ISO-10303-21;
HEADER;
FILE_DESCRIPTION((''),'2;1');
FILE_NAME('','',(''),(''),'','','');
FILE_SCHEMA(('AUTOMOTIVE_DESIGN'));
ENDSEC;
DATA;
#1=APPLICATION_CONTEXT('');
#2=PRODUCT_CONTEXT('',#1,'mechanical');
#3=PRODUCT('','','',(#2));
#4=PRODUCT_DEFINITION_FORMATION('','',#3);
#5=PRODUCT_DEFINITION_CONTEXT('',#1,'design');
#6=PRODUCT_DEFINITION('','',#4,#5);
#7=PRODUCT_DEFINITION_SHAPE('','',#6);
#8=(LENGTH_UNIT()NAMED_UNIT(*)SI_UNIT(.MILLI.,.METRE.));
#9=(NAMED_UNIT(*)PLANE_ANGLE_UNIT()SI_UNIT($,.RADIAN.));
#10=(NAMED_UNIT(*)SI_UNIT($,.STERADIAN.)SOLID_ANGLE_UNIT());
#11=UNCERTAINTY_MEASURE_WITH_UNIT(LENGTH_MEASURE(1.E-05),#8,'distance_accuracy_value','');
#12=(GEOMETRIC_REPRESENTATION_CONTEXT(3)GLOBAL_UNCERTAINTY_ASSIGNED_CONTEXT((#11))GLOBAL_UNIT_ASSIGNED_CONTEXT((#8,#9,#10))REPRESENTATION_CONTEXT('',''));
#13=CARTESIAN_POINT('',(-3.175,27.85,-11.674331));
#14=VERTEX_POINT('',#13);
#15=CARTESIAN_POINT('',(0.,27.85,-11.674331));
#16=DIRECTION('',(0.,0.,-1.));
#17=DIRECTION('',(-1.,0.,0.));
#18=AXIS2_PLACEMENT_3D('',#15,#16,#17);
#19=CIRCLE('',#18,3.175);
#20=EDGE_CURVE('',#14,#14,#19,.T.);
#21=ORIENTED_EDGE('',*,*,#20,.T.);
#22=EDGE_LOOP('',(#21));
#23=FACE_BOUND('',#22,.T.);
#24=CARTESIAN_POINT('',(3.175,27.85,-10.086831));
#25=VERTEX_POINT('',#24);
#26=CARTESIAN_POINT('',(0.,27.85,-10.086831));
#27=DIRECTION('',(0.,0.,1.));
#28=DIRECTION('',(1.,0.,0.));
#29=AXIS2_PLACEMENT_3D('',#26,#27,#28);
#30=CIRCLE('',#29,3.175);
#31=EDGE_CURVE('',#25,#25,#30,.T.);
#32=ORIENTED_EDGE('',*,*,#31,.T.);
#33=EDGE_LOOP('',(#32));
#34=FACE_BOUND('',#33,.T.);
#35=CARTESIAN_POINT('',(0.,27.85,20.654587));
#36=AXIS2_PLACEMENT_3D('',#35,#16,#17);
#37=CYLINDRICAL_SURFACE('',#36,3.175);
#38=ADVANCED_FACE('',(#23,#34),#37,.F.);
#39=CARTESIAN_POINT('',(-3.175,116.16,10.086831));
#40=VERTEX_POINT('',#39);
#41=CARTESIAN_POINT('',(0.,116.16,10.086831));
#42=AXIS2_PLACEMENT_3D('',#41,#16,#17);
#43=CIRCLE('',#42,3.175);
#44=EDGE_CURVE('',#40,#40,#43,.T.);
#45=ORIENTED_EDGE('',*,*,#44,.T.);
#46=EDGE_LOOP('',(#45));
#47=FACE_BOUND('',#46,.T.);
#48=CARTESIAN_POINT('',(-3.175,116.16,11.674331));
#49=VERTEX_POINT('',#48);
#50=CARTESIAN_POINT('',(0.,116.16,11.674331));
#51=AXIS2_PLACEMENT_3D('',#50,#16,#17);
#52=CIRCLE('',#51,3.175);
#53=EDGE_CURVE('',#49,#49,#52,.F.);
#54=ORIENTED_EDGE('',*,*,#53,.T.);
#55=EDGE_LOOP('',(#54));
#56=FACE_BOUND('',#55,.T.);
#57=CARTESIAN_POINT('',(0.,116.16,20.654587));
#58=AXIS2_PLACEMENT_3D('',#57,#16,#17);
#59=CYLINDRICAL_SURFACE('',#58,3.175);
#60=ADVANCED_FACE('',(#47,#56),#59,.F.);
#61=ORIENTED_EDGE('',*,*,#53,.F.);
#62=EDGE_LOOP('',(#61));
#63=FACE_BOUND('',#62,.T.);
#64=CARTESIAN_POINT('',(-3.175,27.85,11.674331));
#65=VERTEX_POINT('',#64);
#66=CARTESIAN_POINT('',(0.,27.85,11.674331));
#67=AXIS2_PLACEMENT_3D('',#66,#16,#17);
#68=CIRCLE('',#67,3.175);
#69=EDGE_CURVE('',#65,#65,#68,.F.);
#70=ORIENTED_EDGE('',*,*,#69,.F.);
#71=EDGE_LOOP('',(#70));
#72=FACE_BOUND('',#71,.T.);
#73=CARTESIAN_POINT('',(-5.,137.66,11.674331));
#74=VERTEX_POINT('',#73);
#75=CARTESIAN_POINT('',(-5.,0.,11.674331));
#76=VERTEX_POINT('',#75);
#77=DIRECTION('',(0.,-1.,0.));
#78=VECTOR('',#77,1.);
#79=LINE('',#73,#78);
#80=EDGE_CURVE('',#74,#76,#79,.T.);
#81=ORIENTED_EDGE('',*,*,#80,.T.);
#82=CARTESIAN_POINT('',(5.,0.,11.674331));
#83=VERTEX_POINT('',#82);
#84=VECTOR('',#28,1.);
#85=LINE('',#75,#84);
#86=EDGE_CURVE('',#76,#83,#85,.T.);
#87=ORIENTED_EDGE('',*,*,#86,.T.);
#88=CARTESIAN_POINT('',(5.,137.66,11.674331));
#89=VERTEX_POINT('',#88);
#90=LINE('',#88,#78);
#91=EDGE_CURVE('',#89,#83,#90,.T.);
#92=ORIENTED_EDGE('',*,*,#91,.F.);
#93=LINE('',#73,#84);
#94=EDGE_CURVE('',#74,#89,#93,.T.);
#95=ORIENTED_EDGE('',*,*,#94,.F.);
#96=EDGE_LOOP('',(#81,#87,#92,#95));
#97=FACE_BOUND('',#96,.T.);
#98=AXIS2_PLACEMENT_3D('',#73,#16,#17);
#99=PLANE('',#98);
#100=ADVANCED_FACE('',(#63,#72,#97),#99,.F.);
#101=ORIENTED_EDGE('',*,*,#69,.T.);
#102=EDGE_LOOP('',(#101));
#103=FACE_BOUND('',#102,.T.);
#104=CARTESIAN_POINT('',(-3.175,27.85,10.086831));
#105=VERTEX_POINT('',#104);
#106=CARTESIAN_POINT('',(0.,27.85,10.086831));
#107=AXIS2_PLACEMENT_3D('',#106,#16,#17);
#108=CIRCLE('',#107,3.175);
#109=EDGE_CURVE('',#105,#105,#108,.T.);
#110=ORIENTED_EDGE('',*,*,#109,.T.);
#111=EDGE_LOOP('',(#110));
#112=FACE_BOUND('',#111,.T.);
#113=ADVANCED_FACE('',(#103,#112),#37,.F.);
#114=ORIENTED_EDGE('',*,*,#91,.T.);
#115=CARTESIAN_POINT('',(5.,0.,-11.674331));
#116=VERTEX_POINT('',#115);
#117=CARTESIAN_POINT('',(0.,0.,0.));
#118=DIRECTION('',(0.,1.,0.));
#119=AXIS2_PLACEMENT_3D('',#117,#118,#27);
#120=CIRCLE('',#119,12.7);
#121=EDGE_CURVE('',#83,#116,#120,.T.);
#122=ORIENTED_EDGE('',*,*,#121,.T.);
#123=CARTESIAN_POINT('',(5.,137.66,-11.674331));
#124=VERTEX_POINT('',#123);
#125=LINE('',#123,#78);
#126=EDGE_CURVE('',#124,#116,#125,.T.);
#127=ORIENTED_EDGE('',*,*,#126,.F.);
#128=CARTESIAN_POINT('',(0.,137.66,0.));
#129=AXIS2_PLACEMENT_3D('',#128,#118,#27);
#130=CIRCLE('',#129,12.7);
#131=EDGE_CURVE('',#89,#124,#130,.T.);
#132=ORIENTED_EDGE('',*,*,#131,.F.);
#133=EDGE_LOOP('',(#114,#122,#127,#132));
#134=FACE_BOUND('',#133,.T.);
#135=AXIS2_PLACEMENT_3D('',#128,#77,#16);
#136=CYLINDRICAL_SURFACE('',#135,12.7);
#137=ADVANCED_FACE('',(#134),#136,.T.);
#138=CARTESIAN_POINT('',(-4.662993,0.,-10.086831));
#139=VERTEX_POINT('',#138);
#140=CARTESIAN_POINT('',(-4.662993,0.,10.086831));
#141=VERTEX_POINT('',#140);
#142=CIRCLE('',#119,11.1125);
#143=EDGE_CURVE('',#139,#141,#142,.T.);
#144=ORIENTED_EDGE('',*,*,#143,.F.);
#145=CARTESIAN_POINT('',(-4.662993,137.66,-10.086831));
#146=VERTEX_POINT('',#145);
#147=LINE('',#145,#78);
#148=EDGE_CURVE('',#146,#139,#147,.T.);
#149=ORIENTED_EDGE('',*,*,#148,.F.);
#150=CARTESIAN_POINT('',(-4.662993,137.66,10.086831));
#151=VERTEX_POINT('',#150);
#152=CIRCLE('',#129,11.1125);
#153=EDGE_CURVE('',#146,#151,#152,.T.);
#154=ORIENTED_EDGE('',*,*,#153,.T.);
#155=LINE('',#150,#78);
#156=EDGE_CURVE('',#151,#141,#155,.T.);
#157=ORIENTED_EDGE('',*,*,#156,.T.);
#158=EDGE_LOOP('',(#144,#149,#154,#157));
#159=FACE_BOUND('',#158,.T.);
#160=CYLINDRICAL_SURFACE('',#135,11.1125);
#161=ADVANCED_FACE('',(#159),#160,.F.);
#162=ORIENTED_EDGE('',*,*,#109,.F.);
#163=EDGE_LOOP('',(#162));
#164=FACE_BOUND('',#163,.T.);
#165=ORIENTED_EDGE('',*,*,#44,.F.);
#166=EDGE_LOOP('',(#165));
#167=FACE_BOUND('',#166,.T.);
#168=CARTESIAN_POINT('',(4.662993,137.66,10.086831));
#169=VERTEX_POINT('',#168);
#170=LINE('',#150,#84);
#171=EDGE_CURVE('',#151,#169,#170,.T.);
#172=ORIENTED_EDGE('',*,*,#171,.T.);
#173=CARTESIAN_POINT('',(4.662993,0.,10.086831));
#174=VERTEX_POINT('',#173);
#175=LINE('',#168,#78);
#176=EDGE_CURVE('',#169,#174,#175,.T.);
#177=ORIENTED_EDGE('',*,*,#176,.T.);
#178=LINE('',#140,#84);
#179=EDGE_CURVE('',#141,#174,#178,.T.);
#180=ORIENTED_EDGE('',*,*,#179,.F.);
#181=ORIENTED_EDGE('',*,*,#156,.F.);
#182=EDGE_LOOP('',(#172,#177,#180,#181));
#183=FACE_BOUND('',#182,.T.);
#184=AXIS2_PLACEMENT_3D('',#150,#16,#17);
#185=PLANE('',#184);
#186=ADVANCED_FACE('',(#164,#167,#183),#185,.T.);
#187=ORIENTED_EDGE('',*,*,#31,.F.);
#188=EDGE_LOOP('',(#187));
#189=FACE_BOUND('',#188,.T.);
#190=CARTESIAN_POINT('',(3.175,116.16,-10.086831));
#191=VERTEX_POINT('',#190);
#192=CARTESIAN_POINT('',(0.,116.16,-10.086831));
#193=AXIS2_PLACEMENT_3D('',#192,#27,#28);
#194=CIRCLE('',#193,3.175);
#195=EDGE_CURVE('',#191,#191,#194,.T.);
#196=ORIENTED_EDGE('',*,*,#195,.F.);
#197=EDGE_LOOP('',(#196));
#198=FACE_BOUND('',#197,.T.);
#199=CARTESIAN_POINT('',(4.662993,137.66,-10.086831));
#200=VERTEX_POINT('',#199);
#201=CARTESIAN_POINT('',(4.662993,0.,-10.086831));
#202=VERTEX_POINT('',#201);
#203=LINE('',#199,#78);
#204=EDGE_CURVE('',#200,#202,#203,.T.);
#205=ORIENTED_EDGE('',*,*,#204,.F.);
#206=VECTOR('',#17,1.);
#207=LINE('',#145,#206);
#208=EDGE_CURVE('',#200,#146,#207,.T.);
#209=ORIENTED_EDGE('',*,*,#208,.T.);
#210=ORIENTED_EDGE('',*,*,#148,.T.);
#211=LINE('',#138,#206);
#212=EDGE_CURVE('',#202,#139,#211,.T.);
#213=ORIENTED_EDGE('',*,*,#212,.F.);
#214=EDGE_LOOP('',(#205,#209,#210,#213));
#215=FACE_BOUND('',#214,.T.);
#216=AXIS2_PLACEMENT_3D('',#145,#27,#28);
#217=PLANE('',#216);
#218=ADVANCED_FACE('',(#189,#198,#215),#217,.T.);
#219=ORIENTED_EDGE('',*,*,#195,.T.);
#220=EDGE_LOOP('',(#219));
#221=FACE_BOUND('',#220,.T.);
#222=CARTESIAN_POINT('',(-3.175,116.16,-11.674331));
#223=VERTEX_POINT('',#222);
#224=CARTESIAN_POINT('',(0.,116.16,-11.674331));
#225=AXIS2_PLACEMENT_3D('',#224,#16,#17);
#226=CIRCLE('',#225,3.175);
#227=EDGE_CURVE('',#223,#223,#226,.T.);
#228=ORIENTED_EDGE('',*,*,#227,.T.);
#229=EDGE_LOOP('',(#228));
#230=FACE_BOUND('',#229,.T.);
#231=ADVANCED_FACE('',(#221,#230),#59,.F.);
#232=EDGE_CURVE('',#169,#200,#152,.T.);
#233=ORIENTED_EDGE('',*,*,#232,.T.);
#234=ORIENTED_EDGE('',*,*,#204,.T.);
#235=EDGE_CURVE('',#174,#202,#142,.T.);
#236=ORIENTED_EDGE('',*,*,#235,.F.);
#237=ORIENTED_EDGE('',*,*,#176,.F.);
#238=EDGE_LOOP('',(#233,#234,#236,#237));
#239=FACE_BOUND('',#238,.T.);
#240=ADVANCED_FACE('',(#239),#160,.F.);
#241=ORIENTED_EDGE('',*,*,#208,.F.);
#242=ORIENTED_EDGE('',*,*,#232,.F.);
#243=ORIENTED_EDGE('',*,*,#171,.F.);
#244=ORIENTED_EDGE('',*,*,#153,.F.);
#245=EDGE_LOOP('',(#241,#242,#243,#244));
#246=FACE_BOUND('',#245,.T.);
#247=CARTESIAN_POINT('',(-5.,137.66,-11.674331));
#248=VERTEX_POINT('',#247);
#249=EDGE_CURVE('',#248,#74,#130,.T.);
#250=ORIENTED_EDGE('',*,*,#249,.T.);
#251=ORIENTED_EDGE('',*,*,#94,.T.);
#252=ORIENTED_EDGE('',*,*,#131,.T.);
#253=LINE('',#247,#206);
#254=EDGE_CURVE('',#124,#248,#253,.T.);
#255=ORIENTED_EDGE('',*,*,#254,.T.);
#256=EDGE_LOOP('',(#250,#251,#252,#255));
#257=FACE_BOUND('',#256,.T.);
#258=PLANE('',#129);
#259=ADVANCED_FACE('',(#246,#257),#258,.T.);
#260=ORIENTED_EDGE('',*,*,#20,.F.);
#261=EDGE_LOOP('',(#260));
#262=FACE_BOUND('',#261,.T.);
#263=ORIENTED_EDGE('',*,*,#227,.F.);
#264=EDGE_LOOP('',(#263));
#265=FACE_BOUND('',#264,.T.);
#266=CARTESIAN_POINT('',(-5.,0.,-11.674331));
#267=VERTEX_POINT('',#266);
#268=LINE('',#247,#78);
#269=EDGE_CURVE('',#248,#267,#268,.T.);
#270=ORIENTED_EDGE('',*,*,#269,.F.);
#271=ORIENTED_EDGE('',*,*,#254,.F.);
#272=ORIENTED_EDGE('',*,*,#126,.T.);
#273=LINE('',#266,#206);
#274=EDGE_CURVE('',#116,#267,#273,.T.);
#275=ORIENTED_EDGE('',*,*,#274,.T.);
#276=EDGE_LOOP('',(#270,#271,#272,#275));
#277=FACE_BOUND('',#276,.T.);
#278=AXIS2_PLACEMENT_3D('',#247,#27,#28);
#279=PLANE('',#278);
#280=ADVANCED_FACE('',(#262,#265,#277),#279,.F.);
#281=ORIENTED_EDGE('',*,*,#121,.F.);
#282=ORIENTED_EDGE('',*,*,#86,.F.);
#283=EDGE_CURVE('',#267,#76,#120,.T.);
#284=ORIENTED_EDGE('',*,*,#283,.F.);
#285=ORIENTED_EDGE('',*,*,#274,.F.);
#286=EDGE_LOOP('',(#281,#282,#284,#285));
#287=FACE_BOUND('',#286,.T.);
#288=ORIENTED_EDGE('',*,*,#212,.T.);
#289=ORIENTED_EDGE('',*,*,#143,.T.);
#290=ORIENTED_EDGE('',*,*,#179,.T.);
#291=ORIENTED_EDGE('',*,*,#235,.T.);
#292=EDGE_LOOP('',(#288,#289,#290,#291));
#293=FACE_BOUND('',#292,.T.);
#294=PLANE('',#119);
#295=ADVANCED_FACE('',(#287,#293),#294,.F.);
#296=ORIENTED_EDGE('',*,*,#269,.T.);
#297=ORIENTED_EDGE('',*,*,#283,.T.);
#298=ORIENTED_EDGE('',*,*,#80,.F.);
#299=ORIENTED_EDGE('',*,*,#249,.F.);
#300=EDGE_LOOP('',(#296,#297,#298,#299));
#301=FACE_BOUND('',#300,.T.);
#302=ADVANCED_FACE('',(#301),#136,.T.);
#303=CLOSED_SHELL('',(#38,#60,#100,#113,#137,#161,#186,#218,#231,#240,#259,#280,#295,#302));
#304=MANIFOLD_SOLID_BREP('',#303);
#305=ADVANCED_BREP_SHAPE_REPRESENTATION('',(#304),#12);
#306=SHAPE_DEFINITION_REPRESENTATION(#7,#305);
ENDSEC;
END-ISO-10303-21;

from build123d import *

# Parameters (mm, degrees)
BOSS_EXTRUDE1_DEPTH = 137.66
CUT_EXTRUDE1_REACH  = 142.202
SKETCH2_R           = 3.175


with BuildPart() as part:
    # Sketch1 → Boss-Extrude1 (new body)
    with BuildSketch(Plane(origin=(0, 0, 0), x_dir=(1, 0, 0), z_dir=(0, 1, 0))):
        with BuildLine():
            Line((-5, -11.674330816), (5, -11.674330816))
            ThreePointArc((5, -11.674330816), (12.7, 0), (5, 11.674330816))
            Line((5, 11.674330816), (-5, 11.674330816))
            ThreePointArc((-5, 11.674330816), (-12.7, 0), (-5, -11.674330816))
        make_face()
        with BuildLine():
            Line((-4.662992638, -10.086830816), (4.662992638, -10.086830816))
            ThreePointArc((4.662992638, -10.086830816), (11.1125, 0), (4.662992638, 10.086830816))
            Line((4.662992638, 10.086830816), (-4.662992638, 10.086830816))
            ThreePointArc((-4.662992638, 10.086830816), (-11.1125, 0), (-4.662992638, -10.086830816))
        make_face(mode=Mode.SUBTRACT)
    extrude(amount=BOSS_EXTRUDE1_DEPTH)

    # Cut-Extrude1: up to this face of the body (flat: up to its plane)
    cut_extrude1_end = Plane(part.part.faces().sort_by_distance((0, 68.83, 11.674330816))[0])
    # Sketch2 → Cut-Extrude1 (cut, up to the picked face)
    with BuildSketch(Plane(origin=(0, 0, -11.674330816), x_dir=(-1, 0, 0), z_dir=(0, 0, -1)), mode=Mode.PRIVATE) as cut_extrude1_sk1:
        with Locations((0, 27.85)):
            Circle(SKETCH2_R)
    cut_extrude1_tool1 = split(extrude(cut_extrude1_sk1.sketch, amount=-CUT_EXTRUDE1_REACH, mode=Mode.PRIVATE), bisect_by=cut_extrude1_end, keep=Keep.BOTH, mode=Mode.PRIVATE)
    # Sketch2 → Cut-Extrude1 (cut, up to the picked face)
    with BuildSketch(Plane(origin=(0, 0, -11.674330816), x_dir=(-1, 0, 0), z_dir=(0, 0, -1)), mode=Mode.PRIVATE) as cut_extrude1_sk2:
        with Locations((0, 116.16)):
            Circle(SKETCH2_R)
    cut_extrude1_tool2 = split(extrude(cut_extrude1_sk2.sketch, amount=-CUT_EXTRUDE1_REACH, mode=Mode.PRIVATE), bisect_by=cut_extrude1_end, keep=Keep.BOTH, mode=Mode.PRIVATE)
    add(cut_extrude1_tool1.solids().sort_by(Axis((0, 27.85, -11.674331), (0, 0, 1)))[0], mode=Mode.SUBTRACT)
    add(cut_extrude1_tool2.solids().sort_by(Axis((0, 116.16, -11.674331), (0, 0, 1)))[0], mode=Mode.SUBTRACT)


solid = part.part
